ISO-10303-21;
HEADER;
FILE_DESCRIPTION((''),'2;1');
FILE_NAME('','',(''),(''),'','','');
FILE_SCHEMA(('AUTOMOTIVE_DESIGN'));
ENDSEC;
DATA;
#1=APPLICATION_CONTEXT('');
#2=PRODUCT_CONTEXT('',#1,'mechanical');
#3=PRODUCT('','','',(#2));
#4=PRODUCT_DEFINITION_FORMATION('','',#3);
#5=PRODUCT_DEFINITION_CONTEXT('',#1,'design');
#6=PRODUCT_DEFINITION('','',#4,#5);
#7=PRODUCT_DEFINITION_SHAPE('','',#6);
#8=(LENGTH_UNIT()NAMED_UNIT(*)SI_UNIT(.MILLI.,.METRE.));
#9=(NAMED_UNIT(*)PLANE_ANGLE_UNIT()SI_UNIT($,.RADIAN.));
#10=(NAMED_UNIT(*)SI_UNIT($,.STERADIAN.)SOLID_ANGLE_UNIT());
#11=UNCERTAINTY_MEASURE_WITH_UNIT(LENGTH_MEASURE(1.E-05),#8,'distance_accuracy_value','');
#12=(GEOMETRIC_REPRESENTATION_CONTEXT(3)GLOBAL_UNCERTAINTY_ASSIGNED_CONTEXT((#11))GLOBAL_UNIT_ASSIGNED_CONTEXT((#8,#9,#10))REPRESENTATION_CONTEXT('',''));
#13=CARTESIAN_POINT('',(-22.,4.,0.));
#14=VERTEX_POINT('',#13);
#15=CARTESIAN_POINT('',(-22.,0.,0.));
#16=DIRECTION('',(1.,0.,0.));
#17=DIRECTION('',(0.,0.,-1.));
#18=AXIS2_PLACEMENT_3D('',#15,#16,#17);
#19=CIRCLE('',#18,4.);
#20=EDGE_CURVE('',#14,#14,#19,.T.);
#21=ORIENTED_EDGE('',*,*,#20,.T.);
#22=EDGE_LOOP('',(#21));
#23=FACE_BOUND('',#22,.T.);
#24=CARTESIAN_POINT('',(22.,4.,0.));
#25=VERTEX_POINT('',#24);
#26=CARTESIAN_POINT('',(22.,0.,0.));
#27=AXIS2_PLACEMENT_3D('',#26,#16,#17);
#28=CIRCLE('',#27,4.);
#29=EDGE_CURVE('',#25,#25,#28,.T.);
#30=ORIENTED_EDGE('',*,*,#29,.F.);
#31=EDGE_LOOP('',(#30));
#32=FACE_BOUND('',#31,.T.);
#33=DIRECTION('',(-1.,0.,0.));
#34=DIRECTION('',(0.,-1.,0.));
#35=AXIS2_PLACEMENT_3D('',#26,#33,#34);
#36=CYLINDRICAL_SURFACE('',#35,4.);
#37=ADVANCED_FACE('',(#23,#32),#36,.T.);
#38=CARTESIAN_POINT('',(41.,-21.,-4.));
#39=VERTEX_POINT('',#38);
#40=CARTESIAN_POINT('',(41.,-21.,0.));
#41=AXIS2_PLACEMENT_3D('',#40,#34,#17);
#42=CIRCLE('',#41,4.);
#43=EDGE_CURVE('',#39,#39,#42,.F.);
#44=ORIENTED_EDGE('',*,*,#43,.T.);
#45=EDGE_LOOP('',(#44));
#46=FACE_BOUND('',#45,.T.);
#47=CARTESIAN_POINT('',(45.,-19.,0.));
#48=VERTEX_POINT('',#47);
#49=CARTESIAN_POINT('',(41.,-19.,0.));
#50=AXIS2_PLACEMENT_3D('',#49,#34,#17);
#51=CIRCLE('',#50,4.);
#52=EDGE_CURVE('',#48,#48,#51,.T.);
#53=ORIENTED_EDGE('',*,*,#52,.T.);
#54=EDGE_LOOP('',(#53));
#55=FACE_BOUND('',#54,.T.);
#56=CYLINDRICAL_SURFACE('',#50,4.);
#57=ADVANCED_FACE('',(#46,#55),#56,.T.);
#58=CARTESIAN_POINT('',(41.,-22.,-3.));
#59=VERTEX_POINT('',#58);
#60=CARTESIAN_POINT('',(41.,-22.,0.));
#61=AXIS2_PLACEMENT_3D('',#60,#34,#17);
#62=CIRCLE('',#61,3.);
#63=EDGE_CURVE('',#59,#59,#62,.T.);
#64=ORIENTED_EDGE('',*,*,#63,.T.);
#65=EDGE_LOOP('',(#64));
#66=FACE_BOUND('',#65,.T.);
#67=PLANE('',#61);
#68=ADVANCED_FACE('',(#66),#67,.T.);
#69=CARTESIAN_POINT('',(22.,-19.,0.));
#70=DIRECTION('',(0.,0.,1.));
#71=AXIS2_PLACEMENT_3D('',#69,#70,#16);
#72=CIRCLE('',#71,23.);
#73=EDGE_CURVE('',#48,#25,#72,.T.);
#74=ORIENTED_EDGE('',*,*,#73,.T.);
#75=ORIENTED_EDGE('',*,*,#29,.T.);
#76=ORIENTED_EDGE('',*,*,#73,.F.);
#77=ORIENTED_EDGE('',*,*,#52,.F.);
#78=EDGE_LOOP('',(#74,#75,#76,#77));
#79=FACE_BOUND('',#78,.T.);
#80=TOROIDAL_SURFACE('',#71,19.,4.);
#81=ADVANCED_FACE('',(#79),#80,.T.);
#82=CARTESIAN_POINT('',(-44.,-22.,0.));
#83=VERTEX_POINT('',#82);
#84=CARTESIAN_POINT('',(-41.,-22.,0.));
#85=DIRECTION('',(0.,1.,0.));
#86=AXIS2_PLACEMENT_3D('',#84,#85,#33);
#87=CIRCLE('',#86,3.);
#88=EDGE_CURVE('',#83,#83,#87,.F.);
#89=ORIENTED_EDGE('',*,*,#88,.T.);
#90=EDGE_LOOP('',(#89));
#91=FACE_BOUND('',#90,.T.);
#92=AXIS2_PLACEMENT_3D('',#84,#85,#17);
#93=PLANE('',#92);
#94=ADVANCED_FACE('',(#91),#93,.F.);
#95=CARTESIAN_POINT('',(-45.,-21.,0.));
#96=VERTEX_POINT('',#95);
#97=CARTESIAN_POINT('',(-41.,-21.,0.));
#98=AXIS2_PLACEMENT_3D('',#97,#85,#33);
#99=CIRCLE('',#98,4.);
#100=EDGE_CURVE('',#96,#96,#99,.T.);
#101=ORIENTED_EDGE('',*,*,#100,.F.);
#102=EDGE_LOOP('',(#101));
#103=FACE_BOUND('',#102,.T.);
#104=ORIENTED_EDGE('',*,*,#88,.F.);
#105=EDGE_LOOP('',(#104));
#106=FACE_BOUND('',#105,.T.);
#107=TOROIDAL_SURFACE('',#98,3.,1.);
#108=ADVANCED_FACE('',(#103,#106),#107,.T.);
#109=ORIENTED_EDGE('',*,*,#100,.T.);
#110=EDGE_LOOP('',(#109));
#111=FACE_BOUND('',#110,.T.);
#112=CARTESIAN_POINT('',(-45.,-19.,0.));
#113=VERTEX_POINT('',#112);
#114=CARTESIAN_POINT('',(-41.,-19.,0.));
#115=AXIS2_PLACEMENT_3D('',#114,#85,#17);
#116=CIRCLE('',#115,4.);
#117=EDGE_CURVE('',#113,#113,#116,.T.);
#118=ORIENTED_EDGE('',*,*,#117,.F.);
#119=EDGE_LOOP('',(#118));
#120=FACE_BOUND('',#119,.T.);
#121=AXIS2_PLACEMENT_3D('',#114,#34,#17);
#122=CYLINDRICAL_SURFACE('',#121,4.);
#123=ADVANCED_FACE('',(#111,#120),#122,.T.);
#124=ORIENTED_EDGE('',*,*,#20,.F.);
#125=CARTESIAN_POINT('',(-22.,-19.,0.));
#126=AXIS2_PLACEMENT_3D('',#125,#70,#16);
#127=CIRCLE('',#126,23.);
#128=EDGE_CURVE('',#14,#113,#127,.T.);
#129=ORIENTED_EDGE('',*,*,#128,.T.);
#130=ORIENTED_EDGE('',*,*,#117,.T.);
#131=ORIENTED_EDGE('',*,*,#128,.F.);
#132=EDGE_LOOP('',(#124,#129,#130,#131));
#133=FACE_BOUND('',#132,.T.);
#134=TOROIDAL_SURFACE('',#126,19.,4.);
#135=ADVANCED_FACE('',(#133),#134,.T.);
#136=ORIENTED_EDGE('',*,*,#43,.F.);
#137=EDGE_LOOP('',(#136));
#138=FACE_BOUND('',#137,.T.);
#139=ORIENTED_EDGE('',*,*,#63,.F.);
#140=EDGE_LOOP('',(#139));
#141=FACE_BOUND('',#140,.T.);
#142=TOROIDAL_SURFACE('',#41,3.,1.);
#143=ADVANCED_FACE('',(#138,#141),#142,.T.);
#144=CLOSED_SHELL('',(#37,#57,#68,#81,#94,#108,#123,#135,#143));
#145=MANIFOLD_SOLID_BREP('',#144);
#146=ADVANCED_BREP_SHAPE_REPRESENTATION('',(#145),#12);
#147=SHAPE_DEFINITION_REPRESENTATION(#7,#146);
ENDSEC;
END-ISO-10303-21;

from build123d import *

# Parameters (mm, degrees)
SKETCH2_R = 4
FILLET1_R = 1


with BuildPart() as part:
    # Sweep1: sweep along a path in Sketch1
    with BuildLine(Plane.XY) as sweep1_path:
        Line((41, -22), (41, -19))
        ThreePointArc((41, -19), (35.435028843, -5.564971157), (22, 0))
        Line((22, 0), (-22, 0))
        ThreePointArc((-22, 0), (-35.435028843, -5.564971157), (-41, -19))
        Line((-41, -19), (-41, -22))
    # Sketch2 → Sweep1 (sweep)
    with BuildSketch(Plane(origin=(41, -22, 0), x_dir=(1, 0, 0), z_dir=(0, -1, 0))):
        Circle(SKETCH2_R)
    sweep(path=sweep1_path.line)

    # Fillet1
    fillet1_edges = [part.edges().sort_by_distance(p)[0] for p in [
        (37, -22, 0),
        (-37, -22, 0),
    ]]
    fillet(fillet1_edges, radius=FILLET1_R)


solid = part.part
